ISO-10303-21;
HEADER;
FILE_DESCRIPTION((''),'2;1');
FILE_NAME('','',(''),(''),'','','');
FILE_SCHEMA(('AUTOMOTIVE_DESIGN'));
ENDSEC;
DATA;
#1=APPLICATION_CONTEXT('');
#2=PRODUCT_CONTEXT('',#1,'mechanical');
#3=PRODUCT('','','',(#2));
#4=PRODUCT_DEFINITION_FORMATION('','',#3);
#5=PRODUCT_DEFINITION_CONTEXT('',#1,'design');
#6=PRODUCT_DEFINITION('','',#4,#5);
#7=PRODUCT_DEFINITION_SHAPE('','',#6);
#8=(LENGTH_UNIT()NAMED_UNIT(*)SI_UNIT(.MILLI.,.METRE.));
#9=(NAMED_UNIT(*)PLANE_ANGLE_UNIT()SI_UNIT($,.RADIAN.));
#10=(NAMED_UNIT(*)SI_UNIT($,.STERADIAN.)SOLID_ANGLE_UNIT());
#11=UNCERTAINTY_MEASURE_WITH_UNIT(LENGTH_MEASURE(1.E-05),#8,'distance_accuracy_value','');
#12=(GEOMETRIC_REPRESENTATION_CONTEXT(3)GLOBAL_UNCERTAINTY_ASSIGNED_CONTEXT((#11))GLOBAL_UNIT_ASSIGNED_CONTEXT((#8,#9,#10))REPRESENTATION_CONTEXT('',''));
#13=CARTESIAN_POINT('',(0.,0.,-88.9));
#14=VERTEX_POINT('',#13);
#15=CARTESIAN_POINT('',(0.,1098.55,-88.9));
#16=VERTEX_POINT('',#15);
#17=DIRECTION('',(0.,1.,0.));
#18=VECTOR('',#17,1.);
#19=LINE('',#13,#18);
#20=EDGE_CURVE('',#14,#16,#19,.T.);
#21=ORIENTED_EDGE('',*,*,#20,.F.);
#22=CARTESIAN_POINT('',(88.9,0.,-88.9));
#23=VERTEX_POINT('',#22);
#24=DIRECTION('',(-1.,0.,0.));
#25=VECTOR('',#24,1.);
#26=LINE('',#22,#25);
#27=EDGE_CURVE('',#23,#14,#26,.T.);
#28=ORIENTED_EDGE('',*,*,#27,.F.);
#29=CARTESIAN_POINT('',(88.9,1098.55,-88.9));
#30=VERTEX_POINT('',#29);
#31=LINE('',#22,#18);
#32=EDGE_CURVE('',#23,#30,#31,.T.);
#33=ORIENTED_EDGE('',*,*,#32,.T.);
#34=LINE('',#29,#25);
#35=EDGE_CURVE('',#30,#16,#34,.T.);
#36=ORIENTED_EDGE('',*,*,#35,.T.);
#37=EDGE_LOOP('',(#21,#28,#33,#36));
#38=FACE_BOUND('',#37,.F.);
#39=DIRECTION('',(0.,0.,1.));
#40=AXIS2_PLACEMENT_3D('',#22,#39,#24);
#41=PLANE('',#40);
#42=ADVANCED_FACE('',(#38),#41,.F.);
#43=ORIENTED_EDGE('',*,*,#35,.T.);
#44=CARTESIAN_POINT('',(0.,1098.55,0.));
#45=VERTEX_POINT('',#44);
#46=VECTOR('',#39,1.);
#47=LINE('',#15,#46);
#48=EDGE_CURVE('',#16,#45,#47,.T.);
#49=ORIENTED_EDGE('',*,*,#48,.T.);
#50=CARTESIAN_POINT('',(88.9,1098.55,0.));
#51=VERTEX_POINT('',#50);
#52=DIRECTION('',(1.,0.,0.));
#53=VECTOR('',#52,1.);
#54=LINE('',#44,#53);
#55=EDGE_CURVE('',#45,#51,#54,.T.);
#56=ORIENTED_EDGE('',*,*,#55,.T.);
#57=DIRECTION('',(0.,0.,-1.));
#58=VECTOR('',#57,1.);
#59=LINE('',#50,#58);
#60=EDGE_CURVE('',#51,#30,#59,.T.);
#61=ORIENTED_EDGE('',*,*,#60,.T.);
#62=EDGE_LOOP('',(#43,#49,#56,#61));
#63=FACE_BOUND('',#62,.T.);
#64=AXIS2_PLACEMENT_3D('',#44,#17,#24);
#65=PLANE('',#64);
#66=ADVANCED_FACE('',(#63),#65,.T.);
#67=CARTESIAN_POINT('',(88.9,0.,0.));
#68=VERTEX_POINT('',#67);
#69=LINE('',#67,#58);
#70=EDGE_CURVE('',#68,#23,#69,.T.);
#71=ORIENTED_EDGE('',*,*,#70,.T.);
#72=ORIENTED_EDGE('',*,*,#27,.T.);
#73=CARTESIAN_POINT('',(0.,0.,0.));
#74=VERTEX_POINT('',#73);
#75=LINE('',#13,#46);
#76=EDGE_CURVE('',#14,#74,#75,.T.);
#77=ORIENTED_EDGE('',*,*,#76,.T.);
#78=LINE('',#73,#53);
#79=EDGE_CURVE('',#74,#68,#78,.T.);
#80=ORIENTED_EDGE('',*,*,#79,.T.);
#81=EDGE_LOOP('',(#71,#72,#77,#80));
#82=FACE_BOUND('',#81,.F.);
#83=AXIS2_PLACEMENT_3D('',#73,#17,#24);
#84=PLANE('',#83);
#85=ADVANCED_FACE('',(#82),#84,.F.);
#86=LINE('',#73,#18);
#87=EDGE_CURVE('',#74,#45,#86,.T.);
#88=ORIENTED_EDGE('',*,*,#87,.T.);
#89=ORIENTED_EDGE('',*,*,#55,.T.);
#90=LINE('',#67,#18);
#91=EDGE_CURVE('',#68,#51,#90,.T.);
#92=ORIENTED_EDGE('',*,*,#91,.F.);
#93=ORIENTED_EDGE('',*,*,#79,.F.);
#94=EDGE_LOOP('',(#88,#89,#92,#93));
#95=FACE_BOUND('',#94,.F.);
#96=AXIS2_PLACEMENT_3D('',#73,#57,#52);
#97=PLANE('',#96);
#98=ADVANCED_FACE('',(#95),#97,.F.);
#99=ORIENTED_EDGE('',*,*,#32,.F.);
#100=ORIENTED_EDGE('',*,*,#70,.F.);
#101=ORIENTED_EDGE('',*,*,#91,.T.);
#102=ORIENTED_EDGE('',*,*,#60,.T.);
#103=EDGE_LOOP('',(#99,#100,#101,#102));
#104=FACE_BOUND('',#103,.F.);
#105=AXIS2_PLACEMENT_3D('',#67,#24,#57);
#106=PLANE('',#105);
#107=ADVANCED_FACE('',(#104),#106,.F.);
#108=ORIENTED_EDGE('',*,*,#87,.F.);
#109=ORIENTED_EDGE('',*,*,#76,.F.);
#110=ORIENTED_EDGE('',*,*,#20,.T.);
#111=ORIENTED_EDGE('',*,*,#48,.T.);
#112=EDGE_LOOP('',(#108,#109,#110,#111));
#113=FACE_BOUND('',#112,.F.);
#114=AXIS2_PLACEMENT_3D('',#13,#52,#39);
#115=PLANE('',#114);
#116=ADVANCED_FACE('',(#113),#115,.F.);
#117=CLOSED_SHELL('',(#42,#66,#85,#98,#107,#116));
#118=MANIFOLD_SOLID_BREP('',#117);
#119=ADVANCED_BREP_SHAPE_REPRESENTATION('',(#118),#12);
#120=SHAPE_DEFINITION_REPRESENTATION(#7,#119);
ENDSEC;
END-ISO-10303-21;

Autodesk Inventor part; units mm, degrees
ref_plane "YZ Plane" through (0, 0, 0) normal (1, 0, 0) x (0, 1, 0)
ref_plane "XZ Plane" through (0, 0, 0) normal (0, 1, 0) x (-1, 0, 0)
ref_plane "XY Plane" through (0, 0, 0) normal (0, 0, 1) x (1, 0, 0)
sketch "Sketch1" plane through (0, 0, 0) normal (0, 1, 0) x (-1, 0, 0)
  line L0 (0, 0) -> (-88.9, 0)
  line L1 (-88.9, 0) -> (-88.9, -88.9)
  line L2 (-88.9, -88.9) -> (0, -88.9)
  line L3 (0, -88.9) -> (0, 0)
  dimension "d0" = 88.9
extrude "Extrusion1" add sketch "Sketch1" along normal blind 1098.55
properties part number "TimberTech Post" material "Wood (Cherry)"
